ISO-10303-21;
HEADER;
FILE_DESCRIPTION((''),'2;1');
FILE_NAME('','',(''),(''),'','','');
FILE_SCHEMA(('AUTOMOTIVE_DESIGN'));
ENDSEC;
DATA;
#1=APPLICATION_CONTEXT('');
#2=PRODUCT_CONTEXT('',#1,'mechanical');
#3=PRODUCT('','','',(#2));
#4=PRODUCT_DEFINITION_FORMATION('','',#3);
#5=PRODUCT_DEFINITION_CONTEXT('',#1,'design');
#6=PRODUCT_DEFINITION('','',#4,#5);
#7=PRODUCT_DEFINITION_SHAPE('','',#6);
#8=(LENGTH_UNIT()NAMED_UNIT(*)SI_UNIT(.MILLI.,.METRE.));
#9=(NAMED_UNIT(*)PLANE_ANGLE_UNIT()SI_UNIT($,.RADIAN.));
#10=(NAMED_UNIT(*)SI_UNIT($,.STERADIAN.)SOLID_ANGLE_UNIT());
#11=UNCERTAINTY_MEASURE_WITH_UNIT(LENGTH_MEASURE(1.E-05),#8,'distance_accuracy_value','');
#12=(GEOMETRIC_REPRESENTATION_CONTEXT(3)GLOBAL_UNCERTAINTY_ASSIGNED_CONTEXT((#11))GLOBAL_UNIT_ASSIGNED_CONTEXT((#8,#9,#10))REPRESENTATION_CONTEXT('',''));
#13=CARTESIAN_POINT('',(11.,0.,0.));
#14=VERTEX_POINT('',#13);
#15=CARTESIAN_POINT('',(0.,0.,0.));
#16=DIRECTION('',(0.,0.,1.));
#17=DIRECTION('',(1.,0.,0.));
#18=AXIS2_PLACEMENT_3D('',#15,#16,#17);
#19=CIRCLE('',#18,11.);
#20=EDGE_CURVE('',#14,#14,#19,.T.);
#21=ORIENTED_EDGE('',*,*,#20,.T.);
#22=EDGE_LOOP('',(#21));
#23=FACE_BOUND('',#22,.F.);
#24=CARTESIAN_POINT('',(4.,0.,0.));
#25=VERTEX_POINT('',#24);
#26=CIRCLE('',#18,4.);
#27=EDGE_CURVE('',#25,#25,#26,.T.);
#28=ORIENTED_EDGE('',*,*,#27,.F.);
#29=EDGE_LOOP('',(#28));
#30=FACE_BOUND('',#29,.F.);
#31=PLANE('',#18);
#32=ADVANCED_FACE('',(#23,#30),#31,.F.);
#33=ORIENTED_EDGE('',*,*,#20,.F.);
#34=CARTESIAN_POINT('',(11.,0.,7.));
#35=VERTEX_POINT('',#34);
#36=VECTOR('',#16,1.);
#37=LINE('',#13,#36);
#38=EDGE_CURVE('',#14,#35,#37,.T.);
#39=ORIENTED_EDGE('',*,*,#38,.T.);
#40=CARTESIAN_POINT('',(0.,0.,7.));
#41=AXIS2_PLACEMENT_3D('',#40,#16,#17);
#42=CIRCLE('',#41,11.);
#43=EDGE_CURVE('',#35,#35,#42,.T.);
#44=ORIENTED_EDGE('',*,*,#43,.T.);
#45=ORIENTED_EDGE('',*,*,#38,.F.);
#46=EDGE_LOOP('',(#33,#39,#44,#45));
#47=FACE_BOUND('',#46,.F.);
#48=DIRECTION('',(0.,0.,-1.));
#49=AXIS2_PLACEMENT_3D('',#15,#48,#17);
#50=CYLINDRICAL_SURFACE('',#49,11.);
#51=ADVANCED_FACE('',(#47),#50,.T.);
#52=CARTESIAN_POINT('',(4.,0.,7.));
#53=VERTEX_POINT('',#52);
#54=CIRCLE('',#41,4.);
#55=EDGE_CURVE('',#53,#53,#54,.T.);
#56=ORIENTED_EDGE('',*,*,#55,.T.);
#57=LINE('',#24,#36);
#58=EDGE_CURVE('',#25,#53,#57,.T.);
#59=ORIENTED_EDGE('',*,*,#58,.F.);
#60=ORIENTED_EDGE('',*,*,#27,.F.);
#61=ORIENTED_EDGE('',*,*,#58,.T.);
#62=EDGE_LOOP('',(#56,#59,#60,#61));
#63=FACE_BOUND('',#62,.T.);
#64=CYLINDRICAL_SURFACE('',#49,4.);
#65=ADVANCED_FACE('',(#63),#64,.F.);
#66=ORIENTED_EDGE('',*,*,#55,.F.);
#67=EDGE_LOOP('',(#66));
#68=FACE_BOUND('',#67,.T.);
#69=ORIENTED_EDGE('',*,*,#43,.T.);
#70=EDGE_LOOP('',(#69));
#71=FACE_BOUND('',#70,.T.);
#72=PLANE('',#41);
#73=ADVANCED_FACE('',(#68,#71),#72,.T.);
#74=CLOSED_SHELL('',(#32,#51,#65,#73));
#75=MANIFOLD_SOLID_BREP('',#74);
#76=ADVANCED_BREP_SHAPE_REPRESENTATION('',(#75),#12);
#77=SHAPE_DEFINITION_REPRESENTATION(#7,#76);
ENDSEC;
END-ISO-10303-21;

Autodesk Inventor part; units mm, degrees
ref_plane "YZ Plane" through (0, 0, 0) normal (1, 0, 0) x (0, 1, 0)
ref_plane "XZ Plane" through (0, 0, 0) normal (0, 1, 0) x (-1, 0, 0)
ref_plane "XY Plane" through (0, 0, 0) normal (0, 0, 1) x (1, 0, 0)
sketch "Sketch1" plane through (0, 0, 0) normal (0, 0, 1) x (1, 0, 0)
  circle A0 centre (0, 0) radius 4
  circle A1 centre (0, 0) radius 11
  dimension "d0" = 8
  dimension "d2" = 22
extrude "Extrusion1" add sketch "Sketch1" along normal blind 7
properties part number "608"
